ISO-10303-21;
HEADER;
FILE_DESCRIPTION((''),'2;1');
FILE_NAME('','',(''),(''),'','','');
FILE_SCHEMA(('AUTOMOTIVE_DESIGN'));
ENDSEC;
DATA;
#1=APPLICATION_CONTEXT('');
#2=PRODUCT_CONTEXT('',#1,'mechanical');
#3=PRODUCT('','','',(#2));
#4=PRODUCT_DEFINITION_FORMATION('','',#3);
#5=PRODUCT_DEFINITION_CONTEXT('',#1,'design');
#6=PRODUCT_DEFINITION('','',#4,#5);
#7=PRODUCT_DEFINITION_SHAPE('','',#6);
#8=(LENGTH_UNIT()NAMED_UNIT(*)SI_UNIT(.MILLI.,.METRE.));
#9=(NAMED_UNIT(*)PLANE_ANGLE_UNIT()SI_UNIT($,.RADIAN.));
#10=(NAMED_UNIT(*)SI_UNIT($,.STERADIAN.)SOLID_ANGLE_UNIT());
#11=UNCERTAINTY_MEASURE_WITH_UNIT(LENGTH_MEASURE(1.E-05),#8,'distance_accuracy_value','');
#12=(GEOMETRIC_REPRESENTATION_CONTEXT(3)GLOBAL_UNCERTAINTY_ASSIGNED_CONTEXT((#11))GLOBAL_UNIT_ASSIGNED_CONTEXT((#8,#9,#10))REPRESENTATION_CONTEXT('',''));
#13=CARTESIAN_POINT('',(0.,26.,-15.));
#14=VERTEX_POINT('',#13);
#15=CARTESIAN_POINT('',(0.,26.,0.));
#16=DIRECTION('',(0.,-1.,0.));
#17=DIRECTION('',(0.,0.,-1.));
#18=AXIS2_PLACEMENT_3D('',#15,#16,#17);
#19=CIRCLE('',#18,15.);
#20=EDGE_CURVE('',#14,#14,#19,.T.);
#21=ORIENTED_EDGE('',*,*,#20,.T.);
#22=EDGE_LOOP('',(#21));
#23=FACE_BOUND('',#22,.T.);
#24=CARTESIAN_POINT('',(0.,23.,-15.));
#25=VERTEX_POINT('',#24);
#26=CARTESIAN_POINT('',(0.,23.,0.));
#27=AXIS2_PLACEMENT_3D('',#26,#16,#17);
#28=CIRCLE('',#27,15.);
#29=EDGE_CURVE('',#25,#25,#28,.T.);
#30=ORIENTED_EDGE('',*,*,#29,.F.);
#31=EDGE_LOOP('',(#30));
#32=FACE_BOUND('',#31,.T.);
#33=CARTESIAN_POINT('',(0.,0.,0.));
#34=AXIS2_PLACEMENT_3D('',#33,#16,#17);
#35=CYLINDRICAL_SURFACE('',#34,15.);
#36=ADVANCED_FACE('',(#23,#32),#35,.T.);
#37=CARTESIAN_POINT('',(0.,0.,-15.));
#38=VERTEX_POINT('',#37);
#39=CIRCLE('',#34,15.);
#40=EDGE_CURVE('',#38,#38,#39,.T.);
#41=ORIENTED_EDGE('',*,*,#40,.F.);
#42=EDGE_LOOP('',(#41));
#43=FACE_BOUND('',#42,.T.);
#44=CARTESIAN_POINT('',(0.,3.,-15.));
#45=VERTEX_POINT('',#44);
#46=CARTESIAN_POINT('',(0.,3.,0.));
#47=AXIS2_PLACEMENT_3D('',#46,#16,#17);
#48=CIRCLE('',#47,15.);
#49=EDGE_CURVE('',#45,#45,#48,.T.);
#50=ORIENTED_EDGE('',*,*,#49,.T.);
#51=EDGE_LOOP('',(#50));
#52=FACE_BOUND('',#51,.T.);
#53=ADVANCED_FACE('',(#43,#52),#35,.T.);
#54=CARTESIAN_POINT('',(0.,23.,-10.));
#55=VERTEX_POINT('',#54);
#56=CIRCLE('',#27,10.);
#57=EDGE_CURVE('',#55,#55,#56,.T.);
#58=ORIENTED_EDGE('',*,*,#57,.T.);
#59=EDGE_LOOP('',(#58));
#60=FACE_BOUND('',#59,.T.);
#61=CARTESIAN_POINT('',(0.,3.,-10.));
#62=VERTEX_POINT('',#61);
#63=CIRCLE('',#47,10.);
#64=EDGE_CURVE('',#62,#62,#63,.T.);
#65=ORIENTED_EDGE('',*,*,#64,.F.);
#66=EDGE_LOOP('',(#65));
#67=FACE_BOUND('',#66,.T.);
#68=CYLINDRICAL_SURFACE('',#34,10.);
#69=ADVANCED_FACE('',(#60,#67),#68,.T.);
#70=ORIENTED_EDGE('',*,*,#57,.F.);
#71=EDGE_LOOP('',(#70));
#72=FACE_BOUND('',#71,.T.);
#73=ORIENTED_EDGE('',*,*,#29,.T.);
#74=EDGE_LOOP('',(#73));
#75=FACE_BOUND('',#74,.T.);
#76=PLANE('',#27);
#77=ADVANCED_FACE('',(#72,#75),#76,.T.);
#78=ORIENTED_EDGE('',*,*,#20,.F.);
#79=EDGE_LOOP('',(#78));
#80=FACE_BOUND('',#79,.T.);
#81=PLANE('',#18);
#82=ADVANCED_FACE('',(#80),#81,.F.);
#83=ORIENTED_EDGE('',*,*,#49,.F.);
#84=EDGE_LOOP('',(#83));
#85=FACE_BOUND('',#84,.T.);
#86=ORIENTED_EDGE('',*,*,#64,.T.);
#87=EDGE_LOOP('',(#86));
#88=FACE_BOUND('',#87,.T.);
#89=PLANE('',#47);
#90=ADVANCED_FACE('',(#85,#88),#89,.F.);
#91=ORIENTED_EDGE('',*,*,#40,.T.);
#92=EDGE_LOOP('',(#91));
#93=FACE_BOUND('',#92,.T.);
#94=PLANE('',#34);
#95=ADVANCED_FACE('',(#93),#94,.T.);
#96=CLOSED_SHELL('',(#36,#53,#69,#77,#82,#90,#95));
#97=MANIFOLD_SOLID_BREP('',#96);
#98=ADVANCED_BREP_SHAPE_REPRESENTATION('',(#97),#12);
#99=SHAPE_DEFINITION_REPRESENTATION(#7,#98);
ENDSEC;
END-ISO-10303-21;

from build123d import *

# Parameters (mm, degrees)
SKETCH_1_W   = 15
SKETCH_1_H   = 3
SKETCH_1_W_2 = 10
SKETCH_1_H_2 = 20


with BuildPart() as part:
    # 草圖1 → 旋轉1 (revolve)
    with BuildSketch(Plane.XY, mode=Mode.PRIVATE) as revolve_1_sk:
        with Locations((-7.5, 1.5)):
            Rectangle(SKETCH_1_W, SKETCH_1_H)
        with Locations((-5, 13)):
            Rectangle(SKETCH_1_W_2, SKETCH_1_H_2)
        Polygon((-10, 23), (0, 23), (0, 26), (-15, 26), (-15, 23), align=None)
    revolve(revolve_1_sk.sketch.rotate(Axis((0, 0, 0), (0, 1, 0)), 270), axis=Axis((0, 0, 0), (0, 1, 0)))


solid = part.part
